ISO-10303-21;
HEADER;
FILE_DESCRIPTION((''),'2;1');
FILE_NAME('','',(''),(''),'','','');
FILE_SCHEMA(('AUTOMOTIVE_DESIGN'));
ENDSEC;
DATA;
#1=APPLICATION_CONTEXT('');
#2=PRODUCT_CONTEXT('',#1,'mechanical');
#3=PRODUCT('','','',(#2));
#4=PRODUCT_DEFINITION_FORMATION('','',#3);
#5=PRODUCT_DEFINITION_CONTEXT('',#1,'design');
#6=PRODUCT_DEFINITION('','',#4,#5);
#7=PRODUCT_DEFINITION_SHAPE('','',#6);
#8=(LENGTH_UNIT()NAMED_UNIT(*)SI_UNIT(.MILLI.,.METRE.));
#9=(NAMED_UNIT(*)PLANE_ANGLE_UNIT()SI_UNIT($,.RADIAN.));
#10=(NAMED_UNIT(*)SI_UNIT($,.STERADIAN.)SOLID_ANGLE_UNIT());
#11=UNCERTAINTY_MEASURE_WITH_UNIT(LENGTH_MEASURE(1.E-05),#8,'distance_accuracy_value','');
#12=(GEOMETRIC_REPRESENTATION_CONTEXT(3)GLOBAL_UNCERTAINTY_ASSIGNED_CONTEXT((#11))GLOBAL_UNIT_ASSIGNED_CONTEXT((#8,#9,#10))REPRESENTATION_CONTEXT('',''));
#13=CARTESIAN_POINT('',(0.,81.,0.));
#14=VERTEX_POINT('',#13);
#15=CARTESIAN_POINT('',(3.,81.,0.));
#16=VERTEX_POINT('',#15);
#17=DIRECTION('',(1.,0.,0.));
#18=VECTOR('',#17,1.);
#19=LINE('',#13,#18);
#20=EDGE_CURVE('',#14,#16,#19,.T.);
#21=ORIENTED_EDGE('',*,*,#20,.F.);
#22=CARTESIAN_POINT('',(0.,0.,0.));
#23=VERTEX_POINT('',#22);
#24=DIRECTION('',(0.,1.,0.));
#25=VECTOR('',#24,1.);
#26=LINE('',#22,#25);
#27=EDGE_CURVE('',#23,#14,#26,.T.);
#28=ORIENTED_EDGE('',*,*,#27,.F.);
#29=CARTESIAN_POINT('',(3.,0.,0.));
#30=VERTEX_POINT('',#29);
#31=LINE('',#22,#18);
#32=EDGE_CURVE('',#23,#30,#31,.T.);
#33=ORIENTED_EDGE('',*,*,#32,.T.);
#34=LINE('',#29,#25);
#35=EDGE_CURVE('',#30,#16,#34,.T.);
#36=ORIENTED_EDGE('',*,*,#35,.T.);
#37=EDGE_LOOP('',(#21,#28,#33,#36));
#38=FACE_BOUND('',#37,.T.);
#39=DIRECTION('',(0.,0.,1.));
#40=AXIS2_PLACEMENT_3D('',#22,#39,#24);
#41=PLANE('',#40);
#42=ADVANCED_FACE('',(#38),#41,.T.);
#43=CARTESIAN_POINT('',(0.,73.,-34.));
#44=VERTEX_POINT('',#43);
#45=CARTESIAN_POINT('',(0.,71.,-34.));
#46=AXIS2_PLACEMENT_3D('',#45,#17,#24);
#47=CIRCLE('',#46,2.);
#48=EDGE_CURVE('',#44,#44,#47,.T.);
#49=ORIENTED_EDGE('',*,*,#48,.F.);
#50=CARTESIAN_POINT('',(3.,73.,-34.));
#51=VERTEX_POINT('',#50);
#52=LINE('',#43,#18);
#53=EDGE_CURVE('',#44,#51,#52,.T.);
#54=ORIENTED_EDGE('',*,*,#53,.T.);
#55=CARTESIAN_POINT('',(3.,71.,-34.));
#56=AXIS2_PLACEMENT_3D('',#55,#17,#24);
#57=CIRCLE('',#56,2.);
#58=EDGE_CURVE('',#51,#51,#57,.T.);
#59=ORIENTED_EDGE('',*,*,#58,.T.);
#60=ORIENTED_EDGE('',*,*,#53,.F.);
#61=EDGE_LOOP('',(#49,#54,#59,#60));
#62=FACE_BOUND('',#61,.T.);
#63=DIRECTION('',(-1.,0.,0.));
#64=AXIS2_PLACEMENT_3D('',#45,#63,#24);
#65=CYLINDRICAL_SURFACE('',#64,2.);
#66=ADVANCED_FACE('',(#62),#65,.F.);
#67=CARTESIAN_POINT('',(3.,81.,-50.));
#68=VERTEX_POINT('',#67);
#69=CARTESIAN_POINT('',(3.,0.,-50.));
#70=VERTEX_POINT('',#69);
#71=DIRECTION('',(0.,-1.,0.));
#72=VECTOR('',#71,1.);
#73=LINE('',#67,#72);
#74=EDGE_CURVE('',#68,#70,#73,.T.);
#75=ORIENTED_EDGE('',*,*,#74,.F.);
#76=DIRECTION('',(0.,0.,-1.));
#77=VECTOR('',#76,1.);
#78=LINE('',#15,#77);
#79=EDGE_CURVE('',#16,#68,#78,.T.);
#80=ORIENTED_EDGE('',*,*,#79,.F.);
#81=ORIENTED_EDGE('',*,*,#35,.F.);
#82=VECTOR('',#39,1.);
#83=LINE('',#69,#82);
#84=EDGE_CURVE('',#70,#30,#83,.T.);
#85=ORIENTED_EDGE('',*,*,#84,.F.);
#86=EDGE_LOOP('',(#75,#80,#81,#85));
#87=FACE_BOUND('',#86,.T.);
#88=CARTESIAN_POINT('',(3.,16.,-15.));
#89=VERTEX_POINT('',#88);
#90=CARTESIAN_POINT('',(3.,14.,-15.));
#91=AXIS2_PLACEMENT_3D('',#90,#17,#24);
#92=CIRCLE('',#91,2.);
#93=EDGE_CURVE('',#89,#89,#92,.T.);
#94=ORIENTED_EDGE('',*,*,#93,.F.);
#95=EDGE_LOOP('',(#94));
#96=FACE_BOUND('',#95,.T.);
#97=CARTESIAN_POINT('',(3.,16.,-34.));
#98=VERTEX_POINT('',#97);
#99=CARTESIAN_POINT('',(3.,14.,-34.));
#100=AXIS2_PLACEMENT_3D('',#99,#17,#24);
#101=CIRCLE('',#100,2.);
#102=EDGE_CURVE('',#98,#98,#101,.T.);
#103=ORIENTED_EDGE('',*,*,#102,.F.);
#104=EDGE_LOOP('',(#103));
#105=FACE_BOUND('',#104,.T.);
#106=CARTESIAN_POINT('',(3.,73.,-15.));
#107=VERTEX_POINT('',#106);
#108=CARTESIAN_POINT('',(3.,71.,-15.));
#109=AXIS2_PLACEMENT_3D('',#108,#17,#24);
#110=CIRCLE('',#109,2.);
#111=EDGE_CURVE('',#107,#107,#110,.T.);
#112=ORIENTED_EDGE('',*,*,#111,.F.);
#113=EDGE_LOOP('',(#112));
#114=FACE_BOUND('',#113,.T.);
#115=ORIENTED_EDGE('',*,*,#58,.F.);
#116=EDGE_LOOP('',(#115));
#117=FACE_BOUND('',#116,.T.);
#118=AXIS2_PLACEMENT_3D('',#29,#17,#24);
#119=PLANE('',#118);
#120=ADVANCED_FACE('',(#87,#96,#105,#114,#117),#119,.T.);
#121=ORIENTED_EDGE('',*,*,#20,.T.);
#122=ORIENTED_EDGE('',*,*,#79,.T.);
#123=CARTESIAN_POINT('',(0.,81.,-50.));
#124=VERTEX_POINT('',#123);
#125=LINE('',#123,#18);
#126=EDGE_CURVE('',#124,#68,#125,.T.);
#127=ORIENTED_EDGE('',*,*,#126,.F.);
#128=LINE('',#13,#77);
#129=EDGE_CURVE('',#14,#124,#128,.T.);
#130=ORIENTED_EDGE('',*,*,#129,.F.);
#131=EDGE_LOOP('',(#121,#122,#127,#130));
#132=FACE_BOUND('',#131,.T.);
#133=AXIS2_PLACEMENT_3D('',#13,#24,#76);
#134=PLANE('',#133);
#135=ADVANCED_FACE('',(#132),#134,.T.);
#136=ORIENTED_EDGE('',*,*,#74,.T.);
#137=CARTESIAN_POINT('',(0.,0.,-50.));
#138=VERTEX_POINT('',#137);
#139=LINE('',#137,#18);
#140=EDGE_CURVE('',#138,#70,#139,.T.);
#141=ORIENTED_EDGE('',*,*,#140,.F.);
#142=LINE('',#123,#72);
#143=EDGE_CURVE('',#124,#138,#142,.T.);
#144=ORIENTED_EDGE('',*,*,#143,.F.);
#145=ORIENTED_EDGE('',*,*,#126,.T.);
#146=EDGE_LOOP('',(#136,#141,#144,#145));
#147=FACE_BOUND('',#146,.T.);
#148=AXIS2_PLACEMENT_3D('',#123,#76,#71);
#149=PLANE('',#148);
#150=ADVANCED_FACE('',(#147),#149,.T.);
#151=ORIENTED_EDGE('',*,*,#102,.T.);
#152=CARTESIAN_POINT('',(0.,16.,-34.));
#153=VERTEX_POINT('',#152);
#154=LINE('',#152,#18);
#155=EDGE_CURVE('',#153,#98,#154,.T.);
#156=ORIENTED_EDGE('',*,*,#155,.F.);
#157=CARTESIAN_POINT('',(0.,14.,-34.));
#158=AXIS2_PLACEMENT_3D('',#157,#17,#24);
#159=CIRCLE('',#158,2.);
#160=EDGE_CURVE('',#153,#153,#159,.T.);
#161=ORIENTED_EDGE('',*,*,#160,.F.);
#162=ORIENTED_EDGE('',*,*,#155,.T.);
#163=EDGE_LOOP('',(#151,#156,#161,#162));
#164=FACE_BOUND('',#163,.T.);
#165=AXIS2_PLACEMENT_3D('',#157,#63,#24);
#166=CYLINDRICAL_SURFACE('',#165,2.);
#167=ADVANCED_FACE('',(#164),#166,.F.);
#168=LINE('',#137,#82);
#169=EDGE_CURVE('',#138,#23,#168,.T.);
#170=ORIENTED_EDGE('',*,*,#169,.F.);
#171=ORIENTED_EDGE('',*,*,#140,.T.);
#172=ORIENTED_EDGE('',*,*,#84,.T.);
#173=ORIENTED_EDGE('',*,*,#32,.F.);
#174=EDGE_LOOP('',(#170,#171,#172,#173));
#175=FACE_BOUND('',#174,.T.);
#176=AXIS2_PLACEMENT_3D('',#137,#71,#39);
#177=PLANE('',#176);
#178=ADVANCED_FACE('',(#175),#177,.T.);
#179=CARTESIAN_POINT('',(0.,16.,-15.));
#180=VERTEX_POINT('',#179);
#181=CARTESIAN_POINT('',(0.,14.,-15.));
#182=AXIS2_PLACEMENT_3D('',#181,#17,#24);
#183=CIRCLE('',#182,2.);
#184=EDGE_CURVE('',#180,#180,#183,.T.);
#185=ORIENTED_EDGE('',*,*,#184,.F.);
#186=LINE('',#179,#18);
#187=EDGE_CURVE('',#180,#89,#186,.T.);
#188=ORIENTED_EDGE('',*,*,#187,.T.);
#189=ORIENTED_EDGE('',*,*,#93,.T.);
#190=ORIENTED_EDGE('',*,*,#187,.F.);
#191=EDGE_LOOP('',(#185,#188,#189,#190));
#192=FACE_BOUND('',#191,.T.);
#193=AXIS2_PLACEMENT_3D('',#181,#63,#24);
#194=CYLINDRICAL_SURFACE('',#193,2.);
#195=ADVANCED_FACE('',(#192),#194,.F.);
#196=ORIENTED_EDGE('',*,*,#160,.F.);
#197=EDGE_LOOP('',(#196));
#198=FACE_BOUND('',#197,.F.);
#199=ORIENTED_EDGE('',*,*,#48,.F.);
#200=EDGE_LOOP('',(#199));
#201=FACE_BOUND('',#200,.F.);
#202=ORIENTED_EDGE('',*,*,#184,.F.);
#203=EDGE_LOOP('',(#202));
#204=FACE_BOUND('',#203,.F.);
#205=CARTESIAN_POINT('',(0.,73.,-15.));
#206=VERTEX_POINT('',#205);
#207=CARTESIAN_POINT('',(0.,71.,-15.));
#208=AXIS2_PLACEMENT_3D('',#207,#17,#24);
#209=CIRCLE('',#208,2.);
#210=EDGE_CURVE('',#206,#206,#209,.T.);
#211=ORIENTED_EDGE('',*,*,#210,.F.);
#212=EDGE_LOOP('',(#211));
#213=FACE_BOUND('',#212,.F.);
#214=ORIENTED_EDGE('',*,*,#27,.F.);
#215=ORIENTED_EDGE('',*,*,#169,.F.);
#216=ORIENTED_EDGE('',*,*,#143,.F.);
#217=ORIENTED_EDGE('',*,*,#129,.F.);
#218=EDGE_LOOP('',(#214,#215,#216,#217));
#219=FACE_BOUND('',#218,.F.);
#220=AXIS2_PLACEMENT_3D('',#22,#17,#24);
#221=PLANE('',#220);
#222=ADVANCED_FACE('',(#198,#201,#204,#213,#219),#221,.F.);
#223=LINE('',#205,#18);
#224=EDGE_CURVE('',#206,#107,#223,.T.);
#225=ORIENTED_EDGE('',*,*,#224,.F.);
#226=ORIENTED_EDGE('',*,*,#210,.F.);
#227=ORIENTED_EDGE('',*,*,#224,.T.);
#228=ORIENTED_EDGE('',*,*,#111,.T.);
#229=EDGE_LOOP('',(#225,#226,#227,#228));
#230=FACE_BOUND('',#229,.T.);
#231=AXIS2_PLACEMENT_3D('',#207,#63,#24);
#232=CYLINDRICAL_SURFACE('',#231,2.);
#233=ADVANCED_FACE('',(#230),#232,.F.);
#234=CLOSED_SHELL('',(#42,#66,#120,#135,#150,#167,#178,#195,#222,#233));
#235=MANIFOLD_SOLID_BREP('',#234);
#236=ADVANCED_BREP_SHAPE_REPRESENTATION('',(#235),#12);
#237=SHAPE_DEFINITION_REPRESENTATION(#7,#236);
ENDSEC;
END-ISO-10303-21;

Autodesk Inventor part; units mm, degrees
ref_plane "YZ Plane" through (0, 0, 0) normal (1, 0, 0) x (0, 1, 0)
ref_plane "XZ Plane" through (0, 0, 0) normal (0, 1, 0) x (-1, 0, 0)
ref_plane "XY Plane" through (0, 0, 0) normal (0, 0, 1) x (1, 0, 0)
sketch "Sketch1" plane through (0, 0, 0) normal (1, 0, 0) x (0, 1, 0)
  line L0 (0, 0) -> (81, 0)
  line L1 (81, 0) -> (81, -50)
  line L2 (81, -50) -> (0, -50)
  line L3 (0, -50) -> (0, 0)
  circle A0 centre (71, -15) radius 2
  circle A1 centre (71, -34) radius 2
  circle A2 centre (14, -15) radius 2
  circle A3 centre (14, -34) radius 2
  dimension "d0" = 81
  dimension "d1" = 50
  dimension "d2" = 4
  dimension "d3" = 15
  dimension "d4" = 4
  dimension "d5" = 16
  dimension "d6" = 4
  dimension "d7" = 15
  dimension "d8" = 4
  dimension "d9" = 57
  dimension "d11" = 10
  dimension "d12" = 57
  dimension "d13" = 10
extrude "Extrusion1" add sketch "Sketch1" along normal blind 3
sketch "Sketch5" plane through (0, 81, 0) normal (0, 1, 0) x (1, 0, 0)
  circle A0 centre (7, 25) radius 4
  line L0 (0, 0) -> (3, 0) projected
  line L1 (3, 50) -> (3, 0) projected
  dimension "d26" = 8
  dimension "d27" = 25
  dimension "d28" = 4
extrude "Extrusion3" add sketch "Sketch5" against normal blind 81
sketch "Sketch8" plane through (0, 81, 0) normal (0, 1, 0) x (1, 0, 0)
  circle A0 centre (7, 25) radius 4
  line L0 (0, 0) -> (3, 0) projected
  line L1 (3, 50) -> (3, 25) projected
  point P0 (3, 29)
  dimension "d33" = 8
  dimension "d34" = 25
  dimension "d35" = 4
extrude "Extrusion5" cut sketch "Sketch8" against normal blind 81
